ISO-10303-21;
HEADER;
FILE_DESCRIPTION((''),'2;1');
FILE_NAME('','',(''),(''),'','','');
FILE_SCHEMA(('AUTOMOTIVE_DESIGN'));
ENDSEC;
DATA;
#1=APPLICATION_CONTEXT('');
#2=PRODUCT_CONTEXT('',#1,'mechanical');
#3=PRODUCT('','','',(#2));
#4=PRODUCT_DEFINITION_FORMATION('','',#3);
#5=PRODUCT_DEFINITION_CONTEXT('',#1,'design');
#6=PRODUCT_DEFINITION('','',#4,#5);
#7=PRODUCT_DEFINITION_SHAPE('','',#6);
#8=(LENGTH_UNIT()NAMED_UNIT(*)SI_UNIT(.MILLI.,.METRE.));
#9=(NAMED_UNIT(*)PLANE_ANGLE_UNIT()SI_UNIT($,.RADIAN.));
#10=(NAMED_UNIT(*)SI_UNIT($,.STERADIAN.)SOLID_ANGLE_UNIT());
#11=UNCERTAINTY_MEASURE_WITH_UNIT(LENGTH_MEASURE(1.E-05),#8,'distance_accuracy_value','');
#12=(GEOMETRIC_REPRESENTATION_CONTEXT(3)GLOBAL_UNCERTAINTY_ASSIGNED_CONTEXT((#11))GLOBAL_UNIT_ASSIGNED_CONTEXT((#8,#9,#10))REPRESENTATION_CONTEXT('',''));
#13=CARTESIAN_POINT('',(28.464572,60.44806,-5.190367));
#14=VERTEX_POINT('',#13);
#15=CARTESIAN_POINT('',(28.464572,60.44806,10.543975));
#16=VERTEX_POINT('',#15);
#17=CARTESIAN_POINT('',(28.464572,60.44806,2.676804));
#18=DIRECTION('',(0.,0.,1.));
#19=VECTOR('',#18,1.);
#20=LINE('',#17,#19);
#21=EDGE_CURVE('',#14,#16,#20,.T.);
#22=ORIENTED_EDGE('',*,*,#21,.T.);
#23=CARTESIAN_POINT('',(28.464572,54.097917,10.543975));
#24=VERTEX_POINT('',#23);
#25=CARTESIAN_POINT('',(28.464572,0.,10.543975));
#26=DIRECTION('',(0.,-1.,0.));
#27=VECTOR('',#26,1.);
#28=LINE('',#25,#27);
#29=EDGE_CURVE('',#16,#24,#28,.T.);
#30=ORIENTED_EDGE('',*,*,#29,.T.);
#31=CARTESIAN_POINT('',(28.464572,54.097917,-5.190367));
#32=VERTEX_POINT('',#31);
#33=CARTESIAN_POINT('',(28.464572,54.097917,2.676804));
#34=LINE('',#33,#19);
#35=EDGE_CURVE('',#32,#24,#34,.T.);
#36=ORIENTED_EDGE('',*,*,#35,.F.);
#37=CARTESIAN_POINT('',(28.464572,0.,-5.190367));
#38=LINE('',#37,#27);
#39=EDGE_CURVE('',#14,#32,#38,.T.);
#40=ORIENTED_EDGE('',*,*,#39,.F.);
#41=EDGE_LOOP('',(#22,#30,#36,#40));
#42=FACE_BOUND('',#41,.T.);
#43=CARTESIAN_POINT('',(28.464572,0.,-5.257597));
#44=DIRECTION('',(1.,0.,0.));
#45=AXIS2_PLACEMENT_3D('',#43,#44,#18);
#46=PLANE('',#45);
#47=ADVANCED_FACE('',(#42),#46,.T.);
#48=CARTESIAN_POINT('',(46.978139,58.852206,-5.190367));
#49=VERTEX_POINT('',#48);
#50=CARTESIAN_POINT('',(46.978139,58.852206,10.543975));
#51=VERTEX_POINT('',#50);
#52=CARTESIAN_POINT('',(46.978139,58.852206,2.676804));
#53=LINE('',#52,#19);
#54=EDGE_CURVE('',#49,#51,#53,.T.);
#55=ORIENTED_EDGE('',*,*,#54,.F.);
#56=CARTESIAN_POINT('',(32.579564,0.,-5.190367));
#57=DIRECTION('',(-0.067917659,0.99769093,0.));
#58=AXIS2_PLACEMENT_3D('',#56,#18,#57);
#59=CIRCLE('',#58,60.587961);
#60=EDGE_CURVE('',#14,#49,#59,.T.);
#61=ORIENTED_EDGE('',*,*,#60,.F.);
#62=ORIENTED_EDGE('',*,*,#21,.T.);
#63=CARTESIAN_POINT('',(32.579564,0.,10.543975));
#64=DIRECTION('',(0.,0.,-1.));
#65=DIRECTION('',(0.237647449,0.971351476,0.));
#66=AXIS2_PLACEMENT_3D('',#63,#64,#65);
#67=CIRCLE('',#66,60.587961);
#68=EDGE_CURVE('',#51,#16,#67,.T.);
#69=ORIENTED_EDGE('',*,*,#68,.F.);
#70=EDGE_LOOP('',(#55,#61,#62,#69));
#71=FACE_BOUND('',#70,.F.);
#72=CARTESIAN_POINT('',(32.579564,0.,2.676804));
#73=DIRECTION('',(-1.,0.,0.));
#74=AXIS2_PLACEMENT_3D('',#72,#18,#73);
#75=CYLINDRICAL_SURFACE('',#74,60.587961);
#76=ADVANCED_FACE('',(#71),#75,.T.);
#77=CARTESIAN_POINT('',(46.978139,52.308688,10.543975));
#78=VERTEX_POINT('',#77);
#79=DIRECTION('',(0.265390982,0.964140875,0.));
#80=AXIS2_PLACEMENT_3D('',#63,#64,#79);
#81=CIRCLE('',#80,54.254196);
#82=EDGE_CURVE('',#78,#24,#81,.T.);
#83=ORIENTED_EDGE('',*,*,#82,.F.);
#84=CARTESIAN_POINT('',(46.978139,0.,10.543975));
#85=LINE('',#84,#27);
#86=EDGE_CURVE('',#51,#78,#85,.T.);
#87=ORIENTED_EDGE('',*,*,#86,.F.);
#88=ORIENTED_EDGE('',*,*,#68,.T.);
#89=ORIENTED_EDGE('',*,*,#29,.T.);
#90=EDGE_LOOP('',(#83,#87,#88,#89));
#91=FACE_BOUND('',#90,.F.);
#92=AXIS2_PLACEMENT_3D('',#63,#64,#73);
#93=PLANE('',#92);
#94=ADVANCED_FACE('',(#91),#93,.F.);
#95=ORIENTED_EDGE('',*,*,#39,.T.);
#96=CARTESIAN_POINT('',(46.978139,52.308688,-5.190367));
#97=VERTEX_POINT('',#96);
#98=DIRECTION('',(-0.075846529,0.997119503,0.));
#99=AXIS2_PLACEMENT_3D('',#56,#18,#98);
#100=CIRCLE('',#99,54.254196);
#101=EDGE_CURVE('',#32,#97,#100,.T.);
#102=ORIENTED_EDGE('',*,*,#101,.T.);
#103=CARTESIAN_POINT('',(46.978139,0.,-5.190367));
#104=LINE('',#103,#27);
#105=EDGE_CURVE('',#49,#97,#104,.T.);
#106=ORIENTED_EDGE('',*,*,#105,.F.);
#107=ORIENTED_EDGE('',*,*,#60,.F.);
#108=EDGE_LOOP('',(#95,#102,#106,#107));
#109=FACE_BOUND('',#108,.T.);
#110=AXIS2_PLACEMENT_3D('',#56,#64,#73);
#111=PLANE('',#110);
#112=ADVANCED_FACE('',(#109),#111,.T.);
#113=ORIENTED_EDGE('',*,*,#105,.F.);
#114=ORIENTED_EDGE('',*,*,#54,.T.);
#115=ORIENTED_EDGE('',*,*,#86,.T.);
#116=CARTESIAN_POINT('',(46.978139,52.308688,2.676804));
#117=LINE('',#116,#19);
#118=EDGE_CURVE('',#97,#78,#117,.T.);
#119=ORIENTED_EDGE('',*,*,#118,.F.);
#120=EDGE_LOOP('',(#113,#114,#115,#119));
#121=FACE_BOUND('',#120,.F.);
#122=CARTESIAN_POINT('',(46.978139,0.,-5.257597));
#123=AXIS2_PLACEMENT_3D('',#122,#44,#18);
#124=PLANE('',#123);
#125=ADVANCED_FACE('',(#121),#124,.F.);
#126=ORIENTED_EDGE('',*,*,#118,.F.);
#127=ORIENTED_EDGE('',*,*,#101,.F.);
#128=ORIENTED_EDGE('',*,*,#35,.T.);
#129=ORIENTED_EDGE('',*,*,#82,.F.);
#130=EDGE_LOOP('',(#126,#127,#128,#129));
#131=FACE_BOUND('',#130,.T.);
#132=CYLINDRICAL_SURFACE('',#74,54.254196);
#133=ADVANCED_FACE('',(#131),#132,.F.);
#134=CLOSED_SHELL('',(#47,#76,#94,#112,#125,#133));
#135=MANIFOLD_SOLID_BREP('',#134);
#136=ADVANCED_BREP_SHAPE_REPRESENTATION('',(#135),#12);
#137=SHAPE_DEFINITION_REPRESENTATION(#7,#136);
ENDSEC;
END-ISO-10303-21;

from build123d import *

# Parameters (mm, degrees)
F0_W     = 6.333765
F0_H     = 15.734342
F2_W     = 18.513567
F2_H     = 25.330746
F3_DEPTH = 177.8


with BuildPart() as f1:
    # F0 (on Front) → F1 (revolve)
    with BuildSketch(Plane.XZ):
        with Locations((-24.841515, 2.676804)):
            Rectangle(F0_W, F0_H)
    revolve(axis=Axis((32.579564, 0, 2.428505), (0, 0, -1)))

    # F2 (on Front) → F3 (cut)
    with BuildSketch(Plane.XZ):
        with Locations((37.721355, 7.407776)):
            Rectangle(F2_W, F2_H)
    extrude(amount=-F3_DEPTH, mode=Mode.SUBTRACT)


solid = f1.part
